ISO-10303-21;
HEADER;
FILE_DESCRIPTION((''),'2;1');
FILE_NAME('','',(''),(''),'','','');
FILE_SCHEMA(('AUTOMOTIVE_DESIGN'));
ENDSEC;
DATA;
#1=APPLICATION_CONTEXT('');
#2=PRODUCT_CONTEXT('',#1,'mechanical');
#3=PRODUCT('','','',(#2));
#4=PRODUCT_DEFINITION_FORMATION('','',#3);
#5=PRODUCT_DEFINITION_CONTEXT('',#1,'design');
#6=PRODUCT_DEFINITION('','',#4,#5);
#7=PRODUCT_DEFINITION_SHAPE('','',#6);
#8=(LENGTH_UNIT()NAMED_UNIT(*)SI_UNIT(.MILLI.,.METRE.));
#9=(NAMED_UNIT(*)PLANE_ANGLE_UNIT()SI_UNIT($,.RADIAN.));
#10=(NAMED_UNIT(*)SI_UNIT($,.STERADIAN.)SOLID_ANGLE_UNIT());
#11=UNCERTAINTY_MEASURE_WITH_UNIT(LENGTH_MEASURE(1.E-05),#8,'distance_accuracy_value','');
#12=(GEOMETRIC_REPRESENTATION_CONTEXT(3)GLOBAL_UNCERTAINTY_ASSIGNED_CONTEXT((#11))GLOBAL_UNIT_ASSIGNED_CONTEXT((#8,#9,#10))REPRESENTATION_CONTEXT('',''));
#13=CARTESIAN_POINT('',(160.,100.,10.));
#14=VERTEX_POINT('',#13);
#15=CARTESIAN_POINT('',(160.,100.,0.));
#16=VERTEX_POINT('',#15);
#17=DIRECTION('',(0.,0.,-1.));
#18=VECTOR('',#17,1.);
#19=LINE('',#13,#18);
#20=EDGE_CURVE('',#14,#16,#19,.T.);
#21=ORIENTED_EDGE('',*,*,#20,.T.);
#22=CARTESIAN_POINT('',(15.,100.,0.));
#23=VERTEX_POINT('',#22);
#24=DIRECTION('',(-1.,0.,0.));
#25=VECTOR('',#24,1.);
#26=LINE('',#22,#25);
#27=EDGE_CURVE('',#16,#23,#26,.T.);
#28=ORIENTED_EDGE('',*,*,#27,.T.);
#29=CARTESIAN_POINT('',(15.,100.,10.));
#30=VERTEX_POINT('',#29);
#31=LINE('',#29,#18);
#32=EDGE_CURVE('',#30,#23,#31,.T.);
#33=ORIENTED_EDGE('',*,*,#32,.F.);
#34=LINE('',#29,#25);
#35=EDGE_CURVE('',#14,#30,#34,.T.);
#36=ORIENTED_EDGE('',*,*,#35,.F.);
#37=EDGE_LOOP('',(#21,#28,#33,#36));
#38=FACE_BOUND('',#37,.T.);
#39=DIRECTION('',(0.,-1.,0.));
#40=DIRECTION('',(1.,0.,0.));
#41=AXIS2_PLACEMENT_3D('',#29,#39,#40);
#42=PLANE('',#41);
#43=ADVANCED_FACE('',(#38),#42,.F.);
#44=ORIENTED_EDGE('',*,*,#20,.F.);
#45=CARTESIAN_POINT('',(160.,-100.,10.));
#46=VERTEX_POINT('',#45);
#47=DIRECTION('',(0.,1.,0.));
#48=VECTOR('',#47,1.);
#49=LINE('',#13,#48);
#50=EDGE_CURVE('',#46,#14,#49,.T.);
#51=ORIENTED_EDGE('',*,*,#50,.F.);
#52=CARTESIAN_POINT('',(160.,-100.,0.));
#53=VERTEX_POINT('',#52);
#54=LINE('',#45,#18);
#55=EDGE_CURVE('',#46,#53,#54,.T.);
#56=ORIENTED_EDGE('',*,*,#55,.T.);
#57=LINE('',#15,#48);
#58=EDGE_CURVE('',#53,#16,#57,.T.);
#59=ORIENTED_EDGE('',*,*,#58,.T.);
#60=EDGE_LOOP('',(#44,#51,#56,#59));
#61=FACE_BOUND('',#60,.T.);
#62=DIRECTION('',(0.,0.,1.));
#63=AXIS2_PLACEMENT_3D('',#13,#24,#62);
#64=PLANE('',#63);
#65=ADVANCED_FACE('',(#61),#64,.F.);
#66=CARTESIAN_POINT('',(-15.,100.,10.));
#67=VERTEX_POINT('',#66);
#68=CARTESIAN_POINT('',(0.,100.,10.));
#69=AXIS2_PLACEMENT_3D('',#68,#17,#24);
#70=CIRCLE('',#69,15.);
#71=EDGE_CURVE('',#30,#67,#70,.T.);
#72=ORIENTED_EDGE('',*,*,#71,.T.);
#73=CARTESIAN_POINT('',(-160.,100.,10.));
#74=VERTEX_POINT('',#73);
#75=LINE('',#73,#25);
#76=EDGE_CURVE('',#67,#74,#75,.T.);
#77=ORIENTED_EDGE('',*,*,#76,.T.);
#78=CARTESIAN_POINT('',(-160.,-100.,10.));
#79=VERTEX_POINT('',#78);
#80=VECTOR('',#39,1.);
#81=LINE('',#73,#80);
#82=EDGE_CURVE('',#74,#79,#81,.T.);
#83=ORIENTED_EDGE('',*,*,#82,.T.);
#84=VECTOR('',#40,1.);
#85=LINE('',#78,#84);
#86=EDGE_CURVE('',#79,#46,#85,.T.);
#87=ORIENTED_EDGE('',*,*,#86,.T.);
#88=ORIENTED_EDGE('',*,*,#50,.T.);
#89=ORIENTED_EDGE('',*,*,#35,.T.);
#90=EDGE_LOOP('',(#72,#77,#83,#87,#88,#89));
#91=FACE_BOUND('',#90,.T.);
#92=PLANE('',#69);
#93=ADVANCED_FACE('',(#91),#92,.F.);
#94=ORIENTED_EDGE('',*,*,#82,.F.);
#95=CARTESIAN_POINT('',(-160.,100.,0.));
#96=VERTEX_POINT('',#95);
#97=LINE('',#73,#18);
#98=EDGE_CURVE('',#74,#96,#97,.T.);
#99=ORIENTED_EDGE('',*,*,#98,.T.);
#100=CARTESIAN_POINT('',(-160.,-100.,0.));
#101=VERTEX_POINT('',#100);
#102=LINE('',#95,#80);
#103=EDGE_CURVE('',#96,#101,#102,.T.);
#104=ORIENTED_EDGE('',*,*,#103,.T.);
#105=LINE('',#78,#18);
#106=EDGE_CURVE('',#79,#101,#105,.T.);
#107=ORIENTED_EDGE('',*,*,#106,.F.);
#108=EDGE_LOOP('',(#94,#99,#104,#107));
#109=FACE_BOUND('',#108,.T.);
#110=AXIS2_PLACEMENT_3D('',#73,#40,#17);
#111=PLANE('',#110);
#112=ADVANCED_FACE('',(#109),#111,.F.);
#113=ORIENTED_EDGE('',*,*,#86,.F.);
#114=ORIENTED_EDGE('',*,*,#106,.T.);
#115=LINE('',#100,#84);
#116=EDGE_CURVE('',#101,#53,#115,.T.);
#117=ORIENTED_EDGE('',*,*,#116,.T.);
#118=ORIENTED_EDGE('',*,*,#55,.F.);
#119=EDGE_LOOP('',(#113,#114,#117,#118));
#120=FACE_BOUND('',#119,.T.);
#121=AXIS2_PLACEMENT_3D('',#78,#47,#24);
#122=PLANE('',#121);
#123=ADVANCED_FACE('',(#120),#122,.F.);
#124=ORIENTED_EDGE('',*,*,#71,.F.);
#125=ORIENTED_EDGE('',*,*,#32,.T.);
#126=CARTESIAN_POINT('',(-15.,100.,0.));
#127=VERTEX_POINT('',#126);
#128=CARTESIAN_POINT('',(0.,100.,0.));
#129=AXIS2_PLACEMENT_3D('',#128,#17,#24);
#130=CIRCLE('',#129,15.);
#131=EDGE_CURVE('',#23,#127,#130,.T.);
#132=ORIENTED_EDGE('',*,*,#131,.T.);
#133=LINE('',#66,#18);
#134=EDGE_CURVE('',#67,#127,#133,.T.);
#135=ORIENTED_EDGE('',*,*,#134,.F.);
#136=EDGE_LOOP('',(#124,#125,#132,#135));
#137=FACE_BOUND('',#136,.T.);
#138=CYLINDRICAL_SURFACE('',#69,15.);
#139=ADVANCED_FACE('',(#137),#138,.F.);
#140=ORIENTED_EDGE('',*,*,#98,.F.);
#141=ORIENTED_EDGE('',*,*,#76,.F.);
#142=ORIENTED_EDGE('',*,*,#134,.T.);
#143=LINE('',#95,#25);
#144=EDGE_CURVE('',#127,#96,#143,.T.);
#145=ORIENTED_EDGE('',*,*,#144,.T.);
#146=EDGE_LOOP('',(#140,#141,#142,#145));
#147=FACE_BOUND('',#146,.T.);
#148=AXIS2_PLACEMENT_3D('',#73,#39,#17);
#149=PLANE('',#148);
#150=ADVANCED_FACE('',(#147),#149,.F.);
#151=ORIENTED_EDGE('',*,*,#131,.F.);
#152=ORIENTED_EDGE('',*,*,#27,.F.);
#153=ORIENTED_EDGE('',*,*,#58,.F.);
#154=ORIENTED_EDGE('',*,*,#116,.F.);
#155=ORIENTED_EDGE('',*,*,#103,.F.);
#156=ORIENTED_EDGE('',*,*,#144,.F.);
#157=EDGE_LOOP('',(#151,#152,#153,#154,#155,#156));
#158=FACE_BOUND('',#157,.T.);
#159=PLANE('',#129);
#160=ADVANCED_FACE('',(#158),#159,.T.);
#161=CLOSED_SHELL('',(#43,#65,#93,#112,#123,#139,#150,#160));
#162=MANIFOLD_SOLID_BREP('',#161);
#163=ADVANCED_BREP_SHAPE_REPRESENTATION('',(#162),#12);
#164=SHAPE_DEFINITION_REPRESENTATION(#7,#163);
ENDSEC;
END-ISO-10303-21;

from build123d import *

# Parameters (mm, degrees)
BOTTOM_CENTER_CASING_DEPTH = 10


with BuildPart() as part:
    # Sketch1 → Bottom Center Casing (new body)
    with BuildSketch(Plane.XY):
        with BuildLine():
            Line((-160, 100), (-15, 100))
            ThreePointArc((-15, 100), (0, 85), (15, 100))
            Line((15, 100), (160, 100))
            Line((160, 100), (160, -100))
            Line((160, -100), (-160, -100))
            Line((-160, -100), (-160, 100))
        make_face()
    extrude(amount=BOTTOM_CENTER_CASING_DEPTH)


solid = part.part
